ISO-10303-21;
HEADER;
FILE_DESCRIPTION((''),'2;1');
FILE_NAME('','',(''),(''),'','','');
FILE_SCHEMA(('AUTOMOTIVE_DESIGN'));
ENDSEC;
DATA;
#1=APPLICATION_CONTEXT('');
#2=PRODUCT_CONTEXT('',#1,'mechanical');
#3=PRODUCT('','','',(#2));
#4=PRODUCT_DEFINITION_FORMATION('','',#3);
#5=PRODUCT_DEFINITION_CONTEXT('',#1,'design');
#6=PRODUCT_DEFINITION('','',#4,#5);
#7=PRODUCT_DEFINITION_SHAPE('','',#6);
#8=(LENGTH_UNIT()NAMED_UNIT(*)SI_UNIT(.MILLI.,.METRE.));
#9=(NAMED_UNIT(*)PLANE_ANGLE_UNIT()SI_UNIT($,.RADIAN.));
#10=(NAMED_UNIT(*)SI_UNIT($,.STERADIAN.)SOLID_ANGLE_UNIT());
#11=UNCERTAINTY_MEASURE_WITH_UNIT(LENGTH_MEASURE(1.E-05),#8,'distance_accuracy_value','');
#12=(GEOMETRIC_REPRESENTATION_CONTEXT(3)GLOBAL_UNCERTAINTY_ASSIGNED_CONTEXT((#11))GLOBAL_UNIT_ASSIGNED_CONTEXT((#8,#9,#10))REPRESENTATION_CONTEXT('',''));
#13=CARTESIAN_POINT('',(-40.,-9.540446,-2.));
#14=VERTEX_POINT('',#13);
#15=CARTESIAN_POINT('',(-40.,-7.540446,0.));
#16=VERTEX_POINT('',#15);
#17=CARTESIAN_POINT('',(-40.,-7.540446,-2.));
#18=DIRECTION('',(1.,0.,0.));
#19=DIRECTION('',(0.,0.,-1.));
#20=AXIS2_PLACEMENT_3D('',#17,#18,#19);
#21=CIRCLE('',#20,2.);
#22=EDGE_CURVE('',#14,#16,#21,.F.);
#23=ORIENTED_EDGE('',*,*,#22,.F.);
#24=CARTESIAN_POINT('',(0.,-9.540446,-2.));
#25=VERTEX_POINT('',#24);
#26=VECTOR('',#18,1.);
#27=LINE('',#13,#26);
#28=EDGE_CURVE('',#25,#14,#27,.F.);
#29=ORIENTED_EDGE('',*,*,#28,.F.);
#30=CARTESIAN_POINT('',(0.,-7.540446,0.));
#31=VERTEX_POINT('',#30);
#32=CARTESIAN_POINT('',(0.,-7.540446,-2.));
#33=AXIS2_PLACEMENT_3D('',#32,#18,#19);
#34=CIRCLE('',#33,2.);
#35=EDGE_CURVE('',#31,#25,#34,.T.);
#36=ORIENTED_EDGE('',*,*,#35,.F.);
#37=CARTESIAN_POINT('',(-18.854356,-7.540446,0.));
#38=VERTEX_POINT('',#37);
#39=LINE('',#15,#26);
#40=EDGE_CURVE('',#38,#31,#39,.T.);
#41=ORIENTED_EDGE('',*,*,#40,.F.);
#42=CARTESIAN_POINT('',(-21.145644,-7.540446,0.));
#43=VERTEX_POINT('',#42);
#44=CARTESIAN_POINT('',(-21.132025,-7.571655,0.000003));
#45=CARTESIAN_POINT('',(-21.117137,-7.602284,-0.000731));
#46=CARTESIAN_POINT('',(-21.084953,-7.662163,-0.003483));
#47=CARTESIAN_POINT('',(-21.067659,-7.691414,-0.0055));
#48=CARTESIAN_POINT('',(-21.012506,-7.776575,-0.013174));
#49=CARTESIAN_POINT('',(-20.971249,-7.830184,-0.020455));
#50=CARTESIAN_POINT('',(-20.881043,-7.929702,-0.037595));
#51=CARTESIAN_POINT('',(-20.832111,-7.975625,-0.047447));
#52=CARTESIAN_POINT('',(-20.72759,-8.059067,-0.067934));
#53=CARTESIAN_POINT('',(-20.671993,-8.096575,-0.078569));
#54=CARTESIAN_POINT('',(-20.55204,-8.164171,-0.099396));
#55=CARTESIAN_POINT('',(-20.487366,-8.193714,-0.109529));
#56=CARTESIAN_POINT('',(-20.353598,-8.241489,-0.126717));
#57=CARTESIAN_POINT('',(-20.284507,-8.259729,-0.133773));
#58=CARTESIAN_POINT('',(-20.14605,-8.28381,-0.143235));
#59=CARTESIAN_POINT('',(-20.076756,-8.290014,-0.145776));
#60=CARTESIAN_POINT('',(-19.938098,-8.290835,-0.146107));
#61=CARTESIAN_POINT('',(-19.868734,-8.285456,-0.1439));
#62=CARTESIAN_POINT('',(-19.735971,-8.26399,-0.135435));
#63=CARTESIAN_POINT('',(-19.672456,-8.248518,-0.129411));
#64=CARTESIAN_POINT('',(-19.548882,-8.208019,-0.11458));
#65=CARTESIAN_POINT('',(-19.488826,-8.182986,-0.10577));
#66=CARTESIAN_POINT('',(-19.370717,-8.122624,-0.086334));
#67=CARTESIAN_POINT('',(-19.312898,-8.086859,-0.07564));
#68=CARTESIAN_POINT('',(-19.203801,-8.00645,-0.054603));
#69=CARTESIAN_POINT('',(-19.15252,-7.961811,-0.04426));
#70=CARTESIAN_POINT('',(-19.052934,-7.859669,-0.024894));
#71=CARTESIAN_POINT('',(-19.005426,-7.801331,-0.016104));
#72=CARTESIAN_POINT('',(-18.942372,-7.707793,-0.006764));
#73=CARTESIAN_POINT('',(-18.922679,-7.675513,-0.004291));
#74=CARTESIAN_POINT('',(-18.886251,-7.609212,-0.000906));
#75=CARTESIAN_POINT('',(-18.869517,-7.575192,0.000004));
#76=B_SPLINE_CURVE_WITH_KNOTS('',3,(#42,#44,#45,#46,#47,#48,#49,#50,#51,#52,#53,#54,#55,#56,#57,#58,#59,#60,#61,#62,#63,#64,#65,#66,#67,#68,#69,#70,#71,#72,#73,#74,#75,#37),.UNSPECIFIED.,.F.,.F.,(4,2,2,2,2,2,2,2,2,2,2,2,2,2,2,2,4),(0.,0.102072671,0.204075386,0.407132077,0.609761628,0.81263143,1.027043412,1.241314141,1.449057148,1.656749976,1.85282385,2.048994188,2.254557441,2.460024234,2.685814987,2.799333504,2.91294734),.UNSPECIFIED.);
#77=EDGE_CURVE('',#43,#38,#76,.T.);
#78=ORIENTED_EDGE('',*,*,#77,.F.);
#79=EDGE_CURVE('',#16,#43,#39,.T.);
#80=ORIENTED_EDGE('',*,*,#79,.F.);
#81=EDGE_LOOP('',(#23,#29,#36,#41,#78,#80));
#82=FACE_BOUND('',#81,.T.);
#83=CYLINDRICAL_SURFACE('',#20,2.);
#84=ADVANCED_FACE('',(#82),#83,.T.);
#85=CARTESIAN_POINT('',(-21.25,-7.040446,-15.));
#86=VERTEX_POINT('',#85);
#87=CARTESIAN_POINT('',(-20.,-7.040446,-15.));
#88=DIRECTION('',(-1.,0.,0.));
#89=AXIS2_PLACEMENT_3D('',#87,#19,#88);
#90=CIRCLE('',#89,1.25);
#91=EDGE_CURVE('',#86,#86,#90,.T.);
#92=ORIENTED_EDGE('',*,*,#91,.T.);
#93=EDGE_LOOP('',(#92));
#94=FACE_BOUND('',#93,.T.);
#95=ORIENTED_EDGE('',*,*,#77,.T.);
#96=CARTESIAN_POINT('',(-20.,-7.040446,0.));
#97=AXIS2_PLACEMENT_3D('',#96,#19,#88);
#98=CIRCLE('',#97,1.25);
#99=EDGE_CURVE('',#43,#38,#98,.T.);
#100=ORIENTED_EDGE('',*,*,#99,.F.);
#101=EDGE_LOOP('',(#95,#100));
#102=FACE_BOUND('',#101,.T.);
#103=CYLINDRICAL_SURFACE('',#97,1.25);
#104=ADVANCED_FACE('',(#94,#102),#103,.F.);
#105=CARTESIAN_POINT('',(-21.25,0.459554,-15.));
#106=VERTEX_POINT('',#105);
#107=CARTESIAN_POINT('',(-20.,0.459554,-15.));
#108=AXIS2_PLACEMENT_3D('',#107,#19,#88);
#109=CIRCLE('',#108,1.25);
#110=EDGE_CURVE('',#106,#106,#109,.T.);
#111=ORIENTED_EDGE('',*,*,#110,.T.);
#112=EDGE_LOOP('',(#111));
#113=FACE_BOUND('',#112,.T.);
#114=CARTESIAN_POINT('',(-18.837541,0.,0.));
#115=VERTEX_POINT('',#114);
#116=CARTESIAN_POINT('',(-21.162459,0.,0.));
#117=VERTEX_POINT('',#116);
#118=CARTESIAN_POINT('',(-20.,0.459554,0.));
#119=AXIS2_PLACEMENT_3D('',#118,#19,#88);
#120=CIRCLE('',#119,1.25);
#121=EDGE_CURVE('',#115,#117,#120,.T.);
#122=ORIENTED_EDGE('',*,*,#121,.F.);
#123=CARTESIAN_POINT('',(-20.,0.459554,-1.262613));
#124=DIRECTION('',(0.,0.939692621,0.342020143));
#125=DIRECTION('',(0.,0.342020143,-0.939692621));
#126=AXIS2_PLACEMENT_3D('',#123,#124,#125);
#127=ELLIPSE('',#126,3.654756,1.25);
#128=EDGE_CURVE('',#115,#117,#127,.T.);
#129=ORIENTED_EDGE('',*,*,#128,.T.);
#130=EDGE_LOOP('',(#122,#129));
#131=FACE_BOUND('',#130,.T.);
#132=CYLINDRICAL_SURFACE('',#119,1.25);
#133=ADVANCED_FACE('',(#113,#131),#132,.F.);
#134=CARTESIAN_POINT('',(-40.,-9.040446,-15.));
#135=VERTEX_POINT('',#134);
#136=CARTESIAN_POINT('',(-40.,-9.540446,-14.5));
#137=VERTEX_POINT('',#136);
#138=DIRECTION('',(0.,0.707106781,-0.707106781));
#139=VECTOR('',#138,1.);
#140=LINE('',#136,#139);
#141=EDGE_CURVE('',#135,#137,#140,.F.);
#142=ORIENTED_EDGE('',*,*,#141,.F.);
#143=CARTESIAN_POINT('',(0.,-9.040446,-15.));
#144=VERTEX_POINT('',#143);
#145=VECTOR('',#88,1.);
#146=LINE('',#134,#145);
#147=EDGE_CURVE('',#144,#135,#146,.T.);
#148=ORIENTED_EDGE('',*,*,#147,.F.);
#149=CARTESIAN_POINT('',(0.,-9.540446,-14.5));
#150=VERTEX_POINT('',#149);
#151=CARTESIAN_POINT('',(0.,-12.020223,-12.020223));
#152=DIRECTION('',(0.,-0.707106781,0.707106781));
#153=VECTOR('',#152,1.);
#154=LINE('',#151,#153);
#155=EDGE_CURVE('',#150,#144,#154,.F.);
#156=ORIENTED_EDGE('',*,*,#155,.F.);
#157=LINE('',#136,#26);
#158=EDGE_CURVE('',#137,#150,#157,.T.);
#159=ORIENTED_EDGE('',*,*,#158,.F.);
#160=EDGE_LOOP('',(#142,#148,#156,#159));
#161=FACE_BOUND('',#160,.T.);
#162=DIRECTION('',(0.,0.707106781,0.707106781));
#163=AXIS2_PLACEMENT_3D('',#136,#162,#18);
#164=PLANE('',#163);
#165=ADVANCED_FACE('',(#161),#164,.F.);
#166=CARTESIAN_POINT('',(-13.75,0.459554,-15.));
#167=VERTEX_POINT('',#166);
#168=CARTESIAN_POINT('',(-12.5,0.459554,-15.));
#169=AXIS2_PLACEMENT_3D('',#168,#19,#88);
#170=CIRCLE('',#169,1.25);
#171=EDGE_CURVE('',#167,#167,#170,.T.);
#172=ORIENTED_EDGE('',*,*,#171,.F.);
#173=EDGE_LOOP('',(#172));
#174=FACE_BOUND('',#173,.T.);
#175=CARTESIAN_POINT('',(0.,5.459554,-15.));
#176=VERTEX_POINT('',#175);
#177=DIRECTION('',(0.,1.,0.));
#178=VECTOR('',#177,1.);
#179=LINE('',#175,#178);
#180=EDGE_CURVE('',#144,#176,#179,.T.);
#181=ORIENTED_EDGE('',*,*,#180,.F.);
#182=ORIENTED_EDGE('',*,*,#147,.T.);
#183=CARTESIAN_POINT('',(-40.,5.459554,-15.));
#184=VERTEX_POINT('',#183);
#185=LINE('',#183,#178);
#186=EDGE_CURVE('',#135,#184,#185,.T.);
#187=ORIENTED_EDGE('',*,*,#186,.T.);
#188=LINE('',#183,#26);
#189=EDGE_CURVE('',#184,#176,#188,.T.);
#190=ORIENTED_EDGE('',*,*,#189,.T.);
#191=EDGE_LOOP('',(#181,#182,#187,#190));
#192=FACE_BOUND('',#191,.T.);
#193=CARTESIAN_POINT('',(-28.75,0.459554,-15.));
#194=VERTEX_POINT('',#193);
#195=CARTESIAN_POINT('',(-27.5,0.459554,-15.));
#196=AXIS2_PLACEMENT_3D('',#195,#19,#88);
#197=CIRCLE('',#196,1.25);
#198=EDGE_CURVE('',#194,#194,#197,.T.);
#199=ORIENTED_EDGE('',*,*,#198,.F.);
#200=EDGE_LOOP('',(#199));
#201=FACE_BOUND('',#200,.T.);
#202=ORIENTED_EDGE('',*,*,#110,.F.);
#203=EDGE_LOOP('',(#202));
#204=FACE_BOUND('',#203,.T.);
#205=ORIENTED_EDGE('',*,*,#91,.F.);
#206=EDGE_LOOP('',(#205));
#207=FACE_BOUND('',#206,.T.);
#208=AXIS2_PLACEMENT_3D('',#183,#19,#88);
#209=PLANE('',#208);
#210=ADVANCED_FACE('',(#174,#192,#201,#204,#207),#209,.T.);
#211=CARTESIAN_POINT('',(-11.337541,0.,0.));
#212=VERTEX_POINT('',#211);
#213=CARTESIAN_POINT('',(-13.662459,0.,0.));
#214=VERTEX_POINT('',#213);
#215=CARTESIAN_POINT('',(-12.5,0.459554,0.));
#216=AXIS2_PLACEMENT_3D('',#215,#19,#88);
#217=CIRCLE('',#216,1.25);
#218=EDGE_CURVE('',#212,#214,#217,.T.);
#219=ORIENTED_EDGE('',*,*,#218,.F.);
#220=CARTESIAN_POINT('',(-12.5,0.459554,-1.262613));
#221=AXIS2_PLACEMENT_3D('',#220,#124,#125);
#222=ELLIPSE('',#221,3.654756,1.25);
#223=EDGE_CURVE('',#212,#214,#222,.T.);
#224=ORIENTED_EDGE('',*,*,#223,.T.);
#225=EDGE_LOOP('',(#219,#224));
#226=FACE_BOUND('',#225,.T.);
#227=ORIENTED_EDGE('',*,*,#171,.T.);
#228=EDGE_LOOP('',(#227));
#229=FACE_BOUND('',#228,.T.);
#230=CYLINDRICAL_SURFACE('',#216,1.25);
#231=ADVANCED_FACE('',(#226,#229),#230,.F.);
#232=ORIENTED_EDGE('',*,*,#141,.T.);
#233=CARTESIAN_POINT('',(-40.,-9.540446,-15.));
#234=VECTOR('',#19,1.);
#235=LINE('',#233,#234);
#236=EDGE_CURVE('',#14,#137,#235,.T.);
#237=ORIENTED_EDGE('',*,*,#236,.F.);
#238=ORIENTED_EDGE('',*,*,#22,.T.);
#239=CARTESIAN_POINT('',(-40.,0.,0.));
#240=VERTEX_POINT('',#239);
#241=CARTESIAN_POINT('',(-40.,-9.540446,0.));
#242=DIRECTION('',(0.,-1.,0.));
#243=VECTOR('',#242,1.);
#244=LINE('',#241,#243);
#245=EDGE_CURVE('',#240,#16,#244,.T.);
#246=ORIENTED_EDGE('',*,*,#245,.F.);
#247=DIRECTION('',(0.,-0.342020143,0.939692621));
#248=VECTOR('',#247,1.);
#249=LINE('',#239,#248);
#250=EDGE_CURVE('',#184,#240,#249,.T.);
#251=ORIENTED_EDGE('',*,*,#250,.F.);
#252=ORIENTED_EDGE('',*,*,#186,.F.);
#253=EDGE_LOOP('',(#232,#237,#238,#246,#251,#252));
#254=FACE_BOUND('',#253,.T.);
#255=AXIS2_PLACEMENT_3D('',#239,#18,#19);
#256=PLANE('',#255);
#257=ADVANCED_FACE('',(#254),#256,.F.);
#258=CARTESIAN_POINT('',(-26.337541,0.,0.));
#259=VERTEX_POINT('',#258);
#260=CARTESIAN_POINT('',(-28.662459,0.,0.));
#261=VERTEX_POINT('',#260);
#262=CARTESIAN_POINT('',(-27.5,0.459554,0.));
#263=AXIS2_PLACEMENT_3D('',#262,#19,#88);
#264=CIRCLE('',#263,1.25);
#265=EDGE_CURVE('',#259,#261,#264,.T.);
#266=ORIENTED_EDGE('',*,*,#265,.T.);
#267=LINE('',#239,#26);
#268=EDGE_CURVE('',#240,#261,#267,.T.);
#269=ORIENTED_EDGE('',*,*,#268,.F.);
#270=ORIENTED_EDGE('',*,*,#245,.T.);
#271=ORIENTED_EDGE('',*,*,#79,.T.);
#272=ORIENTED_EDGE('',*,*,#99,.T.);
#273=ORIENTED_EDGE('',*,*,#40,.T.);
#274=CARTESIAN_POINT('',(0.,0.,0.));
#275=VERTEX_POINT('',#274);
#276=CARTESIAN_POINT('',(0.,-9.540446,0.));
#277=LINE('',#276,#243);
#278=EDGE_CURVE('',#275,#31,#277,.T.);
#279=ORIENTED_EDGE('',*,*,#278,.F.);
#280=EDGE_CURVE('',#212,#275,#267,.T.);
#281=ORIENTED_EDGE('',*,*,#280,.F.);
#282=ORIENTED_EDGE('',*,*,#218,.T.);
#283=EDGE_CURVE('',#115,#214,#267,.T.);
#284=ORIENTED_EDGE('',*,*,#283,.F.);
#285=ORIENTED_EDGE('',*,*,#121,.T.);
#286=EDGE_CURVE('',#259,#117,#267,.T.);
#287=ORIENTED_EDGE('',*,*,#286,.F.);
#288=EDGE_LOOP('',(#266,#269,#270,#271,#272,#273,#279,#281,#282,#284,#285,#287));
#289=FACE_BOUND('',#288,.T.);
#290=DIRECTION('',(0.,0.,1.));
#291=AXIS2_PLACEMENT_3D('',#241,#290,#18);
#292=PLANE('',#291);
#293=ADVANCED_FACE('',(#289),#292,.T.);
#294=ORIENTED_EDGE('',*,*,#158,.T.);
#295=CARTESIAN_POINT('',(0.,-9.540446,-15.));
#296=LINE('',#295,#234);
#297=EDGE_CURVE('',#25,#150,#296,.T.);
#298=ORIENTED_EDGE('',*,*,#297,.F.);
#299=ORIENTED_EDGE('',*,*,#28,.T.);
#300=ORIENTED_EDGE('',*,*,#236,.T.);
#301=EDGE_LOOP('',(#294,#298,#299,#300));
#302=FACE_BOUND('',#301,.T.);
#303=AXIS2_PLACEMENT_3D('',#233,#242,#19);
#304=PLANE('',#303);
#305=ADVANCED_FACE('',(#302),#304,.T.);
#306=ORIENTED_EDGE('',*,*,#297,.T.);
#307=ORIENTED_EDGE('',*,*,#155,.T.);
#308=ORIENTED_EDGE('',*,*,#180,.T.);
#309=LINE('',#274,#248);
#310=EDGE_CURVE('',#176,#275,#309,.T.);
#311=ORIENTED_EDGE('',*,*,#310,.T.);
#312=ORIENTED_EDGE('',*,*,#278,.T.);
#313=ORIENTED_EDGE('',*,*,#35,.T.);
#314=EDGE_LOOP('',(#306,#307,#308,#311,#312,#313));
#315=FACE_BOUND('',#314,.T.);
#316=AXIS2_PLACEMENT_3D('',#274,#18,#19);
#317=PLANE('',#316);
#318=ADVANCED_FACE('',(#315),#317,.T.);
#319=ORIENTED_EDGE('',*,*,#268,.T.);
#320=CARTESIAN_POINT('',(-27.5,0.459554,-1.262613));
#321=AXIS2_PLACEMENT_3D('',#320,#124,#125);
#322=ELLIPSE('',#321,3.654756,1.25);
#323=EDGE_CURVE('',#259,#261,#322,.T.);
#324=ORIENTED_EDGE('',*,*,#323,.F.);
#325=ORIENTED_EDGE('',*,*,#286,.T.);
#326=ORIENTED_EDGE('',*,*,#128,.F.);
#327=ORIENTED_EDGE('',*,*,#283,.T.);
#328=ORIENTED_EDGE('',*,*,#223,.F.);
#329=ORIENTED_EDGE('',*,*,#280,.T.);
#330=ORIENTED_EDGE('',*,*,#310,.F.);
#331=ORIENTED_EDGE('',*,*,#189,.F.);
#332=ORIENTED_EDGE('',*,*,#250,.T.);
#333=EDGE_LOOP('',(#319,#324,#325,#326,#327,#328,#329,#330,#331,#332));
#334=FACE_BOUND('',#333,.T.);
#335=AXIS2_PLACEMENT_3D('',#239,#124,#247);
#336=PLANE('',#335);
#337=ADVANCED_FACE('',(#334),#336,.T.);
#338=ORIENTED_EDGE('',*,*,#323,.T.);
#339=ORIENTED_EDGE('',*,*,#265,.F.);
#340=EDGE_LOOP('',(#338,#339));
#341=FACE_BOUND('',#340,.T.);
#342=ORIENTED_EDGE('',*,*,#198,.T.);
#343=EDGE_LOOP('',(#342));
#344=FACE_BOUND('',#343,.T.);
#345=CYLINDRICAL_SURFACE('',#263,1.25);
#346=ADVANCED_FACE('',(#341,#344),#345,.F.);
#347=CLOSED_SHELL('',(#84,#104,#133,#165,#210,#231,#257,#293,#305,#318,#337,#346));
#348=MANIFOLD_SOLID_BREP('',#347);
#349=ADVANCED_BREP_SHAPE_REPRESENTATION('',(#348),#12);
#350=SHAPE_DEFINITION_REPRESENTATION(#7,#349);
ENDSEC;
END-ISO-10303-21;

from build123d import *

# Parameters (mm, degrees)
EXTRUDE_1_DEPTH     = 40
FILLET_1_R          = 2
CHAMFER_2_SIZE      = 0.5
SKETCH_2_R          = 1.25
CUT_EXTRUDE_1_DEPTH = 44.772367073


with BuildPart() as part:
    # 草图1 → 凸台-拉伸1 (new body)
    with BuildSketch(Plane(origin=(0, 0, 0), x_dir=(0, 0, -1), z_dir=(1, 0, 0))):
        Polygon((0, 0), (15, 5.459553514), (15, -9.540446486), (0, -9.540446486), align=None)
    extrude(amount=-EXTRUDE_1_DEPTH)

    # 圆角1
    fillet_1_edges = [part.edges().sort_by_distance(p)[0] for p in [
        (-20, -9.540446486, 0),
    ]]
    fillet(fillet_1_edges, radius=FILLET_1_R)

    # 倒角2
    chamfer_2_edges = [part.edges().sort_by_distance(p)[0] for p in [
        (-20, -9.540446486, -15),
    ]]
    chamfer(chamfer_2_edges, length=CHAMFER_2_SIZE)

    # 草图2 → 切除-拉伸1 (cut, through all)
    with BuildSketch(Plane(origin=(0, 0, -15), x_dir=(-1, 0, 0), z_dir=(0, 0, -1))):
        with Locations((20, 0.459553514)):
            Circle(SKETCH_2_R)
        with Locations((27.5, 0.459553514)):
            Circle(SKETCH_2_R)
        with Locations((12.5, 0.459553514)):
            Circle(SKETCH_2_R)
        with Locations((20, -7.040446486)):
            Circle(SKETCH_2_R)
    extrude(amount=-CUT_EXTRUDE_1_DEPTH, mode=Mode.SUBTRACT)


solid = part.part
